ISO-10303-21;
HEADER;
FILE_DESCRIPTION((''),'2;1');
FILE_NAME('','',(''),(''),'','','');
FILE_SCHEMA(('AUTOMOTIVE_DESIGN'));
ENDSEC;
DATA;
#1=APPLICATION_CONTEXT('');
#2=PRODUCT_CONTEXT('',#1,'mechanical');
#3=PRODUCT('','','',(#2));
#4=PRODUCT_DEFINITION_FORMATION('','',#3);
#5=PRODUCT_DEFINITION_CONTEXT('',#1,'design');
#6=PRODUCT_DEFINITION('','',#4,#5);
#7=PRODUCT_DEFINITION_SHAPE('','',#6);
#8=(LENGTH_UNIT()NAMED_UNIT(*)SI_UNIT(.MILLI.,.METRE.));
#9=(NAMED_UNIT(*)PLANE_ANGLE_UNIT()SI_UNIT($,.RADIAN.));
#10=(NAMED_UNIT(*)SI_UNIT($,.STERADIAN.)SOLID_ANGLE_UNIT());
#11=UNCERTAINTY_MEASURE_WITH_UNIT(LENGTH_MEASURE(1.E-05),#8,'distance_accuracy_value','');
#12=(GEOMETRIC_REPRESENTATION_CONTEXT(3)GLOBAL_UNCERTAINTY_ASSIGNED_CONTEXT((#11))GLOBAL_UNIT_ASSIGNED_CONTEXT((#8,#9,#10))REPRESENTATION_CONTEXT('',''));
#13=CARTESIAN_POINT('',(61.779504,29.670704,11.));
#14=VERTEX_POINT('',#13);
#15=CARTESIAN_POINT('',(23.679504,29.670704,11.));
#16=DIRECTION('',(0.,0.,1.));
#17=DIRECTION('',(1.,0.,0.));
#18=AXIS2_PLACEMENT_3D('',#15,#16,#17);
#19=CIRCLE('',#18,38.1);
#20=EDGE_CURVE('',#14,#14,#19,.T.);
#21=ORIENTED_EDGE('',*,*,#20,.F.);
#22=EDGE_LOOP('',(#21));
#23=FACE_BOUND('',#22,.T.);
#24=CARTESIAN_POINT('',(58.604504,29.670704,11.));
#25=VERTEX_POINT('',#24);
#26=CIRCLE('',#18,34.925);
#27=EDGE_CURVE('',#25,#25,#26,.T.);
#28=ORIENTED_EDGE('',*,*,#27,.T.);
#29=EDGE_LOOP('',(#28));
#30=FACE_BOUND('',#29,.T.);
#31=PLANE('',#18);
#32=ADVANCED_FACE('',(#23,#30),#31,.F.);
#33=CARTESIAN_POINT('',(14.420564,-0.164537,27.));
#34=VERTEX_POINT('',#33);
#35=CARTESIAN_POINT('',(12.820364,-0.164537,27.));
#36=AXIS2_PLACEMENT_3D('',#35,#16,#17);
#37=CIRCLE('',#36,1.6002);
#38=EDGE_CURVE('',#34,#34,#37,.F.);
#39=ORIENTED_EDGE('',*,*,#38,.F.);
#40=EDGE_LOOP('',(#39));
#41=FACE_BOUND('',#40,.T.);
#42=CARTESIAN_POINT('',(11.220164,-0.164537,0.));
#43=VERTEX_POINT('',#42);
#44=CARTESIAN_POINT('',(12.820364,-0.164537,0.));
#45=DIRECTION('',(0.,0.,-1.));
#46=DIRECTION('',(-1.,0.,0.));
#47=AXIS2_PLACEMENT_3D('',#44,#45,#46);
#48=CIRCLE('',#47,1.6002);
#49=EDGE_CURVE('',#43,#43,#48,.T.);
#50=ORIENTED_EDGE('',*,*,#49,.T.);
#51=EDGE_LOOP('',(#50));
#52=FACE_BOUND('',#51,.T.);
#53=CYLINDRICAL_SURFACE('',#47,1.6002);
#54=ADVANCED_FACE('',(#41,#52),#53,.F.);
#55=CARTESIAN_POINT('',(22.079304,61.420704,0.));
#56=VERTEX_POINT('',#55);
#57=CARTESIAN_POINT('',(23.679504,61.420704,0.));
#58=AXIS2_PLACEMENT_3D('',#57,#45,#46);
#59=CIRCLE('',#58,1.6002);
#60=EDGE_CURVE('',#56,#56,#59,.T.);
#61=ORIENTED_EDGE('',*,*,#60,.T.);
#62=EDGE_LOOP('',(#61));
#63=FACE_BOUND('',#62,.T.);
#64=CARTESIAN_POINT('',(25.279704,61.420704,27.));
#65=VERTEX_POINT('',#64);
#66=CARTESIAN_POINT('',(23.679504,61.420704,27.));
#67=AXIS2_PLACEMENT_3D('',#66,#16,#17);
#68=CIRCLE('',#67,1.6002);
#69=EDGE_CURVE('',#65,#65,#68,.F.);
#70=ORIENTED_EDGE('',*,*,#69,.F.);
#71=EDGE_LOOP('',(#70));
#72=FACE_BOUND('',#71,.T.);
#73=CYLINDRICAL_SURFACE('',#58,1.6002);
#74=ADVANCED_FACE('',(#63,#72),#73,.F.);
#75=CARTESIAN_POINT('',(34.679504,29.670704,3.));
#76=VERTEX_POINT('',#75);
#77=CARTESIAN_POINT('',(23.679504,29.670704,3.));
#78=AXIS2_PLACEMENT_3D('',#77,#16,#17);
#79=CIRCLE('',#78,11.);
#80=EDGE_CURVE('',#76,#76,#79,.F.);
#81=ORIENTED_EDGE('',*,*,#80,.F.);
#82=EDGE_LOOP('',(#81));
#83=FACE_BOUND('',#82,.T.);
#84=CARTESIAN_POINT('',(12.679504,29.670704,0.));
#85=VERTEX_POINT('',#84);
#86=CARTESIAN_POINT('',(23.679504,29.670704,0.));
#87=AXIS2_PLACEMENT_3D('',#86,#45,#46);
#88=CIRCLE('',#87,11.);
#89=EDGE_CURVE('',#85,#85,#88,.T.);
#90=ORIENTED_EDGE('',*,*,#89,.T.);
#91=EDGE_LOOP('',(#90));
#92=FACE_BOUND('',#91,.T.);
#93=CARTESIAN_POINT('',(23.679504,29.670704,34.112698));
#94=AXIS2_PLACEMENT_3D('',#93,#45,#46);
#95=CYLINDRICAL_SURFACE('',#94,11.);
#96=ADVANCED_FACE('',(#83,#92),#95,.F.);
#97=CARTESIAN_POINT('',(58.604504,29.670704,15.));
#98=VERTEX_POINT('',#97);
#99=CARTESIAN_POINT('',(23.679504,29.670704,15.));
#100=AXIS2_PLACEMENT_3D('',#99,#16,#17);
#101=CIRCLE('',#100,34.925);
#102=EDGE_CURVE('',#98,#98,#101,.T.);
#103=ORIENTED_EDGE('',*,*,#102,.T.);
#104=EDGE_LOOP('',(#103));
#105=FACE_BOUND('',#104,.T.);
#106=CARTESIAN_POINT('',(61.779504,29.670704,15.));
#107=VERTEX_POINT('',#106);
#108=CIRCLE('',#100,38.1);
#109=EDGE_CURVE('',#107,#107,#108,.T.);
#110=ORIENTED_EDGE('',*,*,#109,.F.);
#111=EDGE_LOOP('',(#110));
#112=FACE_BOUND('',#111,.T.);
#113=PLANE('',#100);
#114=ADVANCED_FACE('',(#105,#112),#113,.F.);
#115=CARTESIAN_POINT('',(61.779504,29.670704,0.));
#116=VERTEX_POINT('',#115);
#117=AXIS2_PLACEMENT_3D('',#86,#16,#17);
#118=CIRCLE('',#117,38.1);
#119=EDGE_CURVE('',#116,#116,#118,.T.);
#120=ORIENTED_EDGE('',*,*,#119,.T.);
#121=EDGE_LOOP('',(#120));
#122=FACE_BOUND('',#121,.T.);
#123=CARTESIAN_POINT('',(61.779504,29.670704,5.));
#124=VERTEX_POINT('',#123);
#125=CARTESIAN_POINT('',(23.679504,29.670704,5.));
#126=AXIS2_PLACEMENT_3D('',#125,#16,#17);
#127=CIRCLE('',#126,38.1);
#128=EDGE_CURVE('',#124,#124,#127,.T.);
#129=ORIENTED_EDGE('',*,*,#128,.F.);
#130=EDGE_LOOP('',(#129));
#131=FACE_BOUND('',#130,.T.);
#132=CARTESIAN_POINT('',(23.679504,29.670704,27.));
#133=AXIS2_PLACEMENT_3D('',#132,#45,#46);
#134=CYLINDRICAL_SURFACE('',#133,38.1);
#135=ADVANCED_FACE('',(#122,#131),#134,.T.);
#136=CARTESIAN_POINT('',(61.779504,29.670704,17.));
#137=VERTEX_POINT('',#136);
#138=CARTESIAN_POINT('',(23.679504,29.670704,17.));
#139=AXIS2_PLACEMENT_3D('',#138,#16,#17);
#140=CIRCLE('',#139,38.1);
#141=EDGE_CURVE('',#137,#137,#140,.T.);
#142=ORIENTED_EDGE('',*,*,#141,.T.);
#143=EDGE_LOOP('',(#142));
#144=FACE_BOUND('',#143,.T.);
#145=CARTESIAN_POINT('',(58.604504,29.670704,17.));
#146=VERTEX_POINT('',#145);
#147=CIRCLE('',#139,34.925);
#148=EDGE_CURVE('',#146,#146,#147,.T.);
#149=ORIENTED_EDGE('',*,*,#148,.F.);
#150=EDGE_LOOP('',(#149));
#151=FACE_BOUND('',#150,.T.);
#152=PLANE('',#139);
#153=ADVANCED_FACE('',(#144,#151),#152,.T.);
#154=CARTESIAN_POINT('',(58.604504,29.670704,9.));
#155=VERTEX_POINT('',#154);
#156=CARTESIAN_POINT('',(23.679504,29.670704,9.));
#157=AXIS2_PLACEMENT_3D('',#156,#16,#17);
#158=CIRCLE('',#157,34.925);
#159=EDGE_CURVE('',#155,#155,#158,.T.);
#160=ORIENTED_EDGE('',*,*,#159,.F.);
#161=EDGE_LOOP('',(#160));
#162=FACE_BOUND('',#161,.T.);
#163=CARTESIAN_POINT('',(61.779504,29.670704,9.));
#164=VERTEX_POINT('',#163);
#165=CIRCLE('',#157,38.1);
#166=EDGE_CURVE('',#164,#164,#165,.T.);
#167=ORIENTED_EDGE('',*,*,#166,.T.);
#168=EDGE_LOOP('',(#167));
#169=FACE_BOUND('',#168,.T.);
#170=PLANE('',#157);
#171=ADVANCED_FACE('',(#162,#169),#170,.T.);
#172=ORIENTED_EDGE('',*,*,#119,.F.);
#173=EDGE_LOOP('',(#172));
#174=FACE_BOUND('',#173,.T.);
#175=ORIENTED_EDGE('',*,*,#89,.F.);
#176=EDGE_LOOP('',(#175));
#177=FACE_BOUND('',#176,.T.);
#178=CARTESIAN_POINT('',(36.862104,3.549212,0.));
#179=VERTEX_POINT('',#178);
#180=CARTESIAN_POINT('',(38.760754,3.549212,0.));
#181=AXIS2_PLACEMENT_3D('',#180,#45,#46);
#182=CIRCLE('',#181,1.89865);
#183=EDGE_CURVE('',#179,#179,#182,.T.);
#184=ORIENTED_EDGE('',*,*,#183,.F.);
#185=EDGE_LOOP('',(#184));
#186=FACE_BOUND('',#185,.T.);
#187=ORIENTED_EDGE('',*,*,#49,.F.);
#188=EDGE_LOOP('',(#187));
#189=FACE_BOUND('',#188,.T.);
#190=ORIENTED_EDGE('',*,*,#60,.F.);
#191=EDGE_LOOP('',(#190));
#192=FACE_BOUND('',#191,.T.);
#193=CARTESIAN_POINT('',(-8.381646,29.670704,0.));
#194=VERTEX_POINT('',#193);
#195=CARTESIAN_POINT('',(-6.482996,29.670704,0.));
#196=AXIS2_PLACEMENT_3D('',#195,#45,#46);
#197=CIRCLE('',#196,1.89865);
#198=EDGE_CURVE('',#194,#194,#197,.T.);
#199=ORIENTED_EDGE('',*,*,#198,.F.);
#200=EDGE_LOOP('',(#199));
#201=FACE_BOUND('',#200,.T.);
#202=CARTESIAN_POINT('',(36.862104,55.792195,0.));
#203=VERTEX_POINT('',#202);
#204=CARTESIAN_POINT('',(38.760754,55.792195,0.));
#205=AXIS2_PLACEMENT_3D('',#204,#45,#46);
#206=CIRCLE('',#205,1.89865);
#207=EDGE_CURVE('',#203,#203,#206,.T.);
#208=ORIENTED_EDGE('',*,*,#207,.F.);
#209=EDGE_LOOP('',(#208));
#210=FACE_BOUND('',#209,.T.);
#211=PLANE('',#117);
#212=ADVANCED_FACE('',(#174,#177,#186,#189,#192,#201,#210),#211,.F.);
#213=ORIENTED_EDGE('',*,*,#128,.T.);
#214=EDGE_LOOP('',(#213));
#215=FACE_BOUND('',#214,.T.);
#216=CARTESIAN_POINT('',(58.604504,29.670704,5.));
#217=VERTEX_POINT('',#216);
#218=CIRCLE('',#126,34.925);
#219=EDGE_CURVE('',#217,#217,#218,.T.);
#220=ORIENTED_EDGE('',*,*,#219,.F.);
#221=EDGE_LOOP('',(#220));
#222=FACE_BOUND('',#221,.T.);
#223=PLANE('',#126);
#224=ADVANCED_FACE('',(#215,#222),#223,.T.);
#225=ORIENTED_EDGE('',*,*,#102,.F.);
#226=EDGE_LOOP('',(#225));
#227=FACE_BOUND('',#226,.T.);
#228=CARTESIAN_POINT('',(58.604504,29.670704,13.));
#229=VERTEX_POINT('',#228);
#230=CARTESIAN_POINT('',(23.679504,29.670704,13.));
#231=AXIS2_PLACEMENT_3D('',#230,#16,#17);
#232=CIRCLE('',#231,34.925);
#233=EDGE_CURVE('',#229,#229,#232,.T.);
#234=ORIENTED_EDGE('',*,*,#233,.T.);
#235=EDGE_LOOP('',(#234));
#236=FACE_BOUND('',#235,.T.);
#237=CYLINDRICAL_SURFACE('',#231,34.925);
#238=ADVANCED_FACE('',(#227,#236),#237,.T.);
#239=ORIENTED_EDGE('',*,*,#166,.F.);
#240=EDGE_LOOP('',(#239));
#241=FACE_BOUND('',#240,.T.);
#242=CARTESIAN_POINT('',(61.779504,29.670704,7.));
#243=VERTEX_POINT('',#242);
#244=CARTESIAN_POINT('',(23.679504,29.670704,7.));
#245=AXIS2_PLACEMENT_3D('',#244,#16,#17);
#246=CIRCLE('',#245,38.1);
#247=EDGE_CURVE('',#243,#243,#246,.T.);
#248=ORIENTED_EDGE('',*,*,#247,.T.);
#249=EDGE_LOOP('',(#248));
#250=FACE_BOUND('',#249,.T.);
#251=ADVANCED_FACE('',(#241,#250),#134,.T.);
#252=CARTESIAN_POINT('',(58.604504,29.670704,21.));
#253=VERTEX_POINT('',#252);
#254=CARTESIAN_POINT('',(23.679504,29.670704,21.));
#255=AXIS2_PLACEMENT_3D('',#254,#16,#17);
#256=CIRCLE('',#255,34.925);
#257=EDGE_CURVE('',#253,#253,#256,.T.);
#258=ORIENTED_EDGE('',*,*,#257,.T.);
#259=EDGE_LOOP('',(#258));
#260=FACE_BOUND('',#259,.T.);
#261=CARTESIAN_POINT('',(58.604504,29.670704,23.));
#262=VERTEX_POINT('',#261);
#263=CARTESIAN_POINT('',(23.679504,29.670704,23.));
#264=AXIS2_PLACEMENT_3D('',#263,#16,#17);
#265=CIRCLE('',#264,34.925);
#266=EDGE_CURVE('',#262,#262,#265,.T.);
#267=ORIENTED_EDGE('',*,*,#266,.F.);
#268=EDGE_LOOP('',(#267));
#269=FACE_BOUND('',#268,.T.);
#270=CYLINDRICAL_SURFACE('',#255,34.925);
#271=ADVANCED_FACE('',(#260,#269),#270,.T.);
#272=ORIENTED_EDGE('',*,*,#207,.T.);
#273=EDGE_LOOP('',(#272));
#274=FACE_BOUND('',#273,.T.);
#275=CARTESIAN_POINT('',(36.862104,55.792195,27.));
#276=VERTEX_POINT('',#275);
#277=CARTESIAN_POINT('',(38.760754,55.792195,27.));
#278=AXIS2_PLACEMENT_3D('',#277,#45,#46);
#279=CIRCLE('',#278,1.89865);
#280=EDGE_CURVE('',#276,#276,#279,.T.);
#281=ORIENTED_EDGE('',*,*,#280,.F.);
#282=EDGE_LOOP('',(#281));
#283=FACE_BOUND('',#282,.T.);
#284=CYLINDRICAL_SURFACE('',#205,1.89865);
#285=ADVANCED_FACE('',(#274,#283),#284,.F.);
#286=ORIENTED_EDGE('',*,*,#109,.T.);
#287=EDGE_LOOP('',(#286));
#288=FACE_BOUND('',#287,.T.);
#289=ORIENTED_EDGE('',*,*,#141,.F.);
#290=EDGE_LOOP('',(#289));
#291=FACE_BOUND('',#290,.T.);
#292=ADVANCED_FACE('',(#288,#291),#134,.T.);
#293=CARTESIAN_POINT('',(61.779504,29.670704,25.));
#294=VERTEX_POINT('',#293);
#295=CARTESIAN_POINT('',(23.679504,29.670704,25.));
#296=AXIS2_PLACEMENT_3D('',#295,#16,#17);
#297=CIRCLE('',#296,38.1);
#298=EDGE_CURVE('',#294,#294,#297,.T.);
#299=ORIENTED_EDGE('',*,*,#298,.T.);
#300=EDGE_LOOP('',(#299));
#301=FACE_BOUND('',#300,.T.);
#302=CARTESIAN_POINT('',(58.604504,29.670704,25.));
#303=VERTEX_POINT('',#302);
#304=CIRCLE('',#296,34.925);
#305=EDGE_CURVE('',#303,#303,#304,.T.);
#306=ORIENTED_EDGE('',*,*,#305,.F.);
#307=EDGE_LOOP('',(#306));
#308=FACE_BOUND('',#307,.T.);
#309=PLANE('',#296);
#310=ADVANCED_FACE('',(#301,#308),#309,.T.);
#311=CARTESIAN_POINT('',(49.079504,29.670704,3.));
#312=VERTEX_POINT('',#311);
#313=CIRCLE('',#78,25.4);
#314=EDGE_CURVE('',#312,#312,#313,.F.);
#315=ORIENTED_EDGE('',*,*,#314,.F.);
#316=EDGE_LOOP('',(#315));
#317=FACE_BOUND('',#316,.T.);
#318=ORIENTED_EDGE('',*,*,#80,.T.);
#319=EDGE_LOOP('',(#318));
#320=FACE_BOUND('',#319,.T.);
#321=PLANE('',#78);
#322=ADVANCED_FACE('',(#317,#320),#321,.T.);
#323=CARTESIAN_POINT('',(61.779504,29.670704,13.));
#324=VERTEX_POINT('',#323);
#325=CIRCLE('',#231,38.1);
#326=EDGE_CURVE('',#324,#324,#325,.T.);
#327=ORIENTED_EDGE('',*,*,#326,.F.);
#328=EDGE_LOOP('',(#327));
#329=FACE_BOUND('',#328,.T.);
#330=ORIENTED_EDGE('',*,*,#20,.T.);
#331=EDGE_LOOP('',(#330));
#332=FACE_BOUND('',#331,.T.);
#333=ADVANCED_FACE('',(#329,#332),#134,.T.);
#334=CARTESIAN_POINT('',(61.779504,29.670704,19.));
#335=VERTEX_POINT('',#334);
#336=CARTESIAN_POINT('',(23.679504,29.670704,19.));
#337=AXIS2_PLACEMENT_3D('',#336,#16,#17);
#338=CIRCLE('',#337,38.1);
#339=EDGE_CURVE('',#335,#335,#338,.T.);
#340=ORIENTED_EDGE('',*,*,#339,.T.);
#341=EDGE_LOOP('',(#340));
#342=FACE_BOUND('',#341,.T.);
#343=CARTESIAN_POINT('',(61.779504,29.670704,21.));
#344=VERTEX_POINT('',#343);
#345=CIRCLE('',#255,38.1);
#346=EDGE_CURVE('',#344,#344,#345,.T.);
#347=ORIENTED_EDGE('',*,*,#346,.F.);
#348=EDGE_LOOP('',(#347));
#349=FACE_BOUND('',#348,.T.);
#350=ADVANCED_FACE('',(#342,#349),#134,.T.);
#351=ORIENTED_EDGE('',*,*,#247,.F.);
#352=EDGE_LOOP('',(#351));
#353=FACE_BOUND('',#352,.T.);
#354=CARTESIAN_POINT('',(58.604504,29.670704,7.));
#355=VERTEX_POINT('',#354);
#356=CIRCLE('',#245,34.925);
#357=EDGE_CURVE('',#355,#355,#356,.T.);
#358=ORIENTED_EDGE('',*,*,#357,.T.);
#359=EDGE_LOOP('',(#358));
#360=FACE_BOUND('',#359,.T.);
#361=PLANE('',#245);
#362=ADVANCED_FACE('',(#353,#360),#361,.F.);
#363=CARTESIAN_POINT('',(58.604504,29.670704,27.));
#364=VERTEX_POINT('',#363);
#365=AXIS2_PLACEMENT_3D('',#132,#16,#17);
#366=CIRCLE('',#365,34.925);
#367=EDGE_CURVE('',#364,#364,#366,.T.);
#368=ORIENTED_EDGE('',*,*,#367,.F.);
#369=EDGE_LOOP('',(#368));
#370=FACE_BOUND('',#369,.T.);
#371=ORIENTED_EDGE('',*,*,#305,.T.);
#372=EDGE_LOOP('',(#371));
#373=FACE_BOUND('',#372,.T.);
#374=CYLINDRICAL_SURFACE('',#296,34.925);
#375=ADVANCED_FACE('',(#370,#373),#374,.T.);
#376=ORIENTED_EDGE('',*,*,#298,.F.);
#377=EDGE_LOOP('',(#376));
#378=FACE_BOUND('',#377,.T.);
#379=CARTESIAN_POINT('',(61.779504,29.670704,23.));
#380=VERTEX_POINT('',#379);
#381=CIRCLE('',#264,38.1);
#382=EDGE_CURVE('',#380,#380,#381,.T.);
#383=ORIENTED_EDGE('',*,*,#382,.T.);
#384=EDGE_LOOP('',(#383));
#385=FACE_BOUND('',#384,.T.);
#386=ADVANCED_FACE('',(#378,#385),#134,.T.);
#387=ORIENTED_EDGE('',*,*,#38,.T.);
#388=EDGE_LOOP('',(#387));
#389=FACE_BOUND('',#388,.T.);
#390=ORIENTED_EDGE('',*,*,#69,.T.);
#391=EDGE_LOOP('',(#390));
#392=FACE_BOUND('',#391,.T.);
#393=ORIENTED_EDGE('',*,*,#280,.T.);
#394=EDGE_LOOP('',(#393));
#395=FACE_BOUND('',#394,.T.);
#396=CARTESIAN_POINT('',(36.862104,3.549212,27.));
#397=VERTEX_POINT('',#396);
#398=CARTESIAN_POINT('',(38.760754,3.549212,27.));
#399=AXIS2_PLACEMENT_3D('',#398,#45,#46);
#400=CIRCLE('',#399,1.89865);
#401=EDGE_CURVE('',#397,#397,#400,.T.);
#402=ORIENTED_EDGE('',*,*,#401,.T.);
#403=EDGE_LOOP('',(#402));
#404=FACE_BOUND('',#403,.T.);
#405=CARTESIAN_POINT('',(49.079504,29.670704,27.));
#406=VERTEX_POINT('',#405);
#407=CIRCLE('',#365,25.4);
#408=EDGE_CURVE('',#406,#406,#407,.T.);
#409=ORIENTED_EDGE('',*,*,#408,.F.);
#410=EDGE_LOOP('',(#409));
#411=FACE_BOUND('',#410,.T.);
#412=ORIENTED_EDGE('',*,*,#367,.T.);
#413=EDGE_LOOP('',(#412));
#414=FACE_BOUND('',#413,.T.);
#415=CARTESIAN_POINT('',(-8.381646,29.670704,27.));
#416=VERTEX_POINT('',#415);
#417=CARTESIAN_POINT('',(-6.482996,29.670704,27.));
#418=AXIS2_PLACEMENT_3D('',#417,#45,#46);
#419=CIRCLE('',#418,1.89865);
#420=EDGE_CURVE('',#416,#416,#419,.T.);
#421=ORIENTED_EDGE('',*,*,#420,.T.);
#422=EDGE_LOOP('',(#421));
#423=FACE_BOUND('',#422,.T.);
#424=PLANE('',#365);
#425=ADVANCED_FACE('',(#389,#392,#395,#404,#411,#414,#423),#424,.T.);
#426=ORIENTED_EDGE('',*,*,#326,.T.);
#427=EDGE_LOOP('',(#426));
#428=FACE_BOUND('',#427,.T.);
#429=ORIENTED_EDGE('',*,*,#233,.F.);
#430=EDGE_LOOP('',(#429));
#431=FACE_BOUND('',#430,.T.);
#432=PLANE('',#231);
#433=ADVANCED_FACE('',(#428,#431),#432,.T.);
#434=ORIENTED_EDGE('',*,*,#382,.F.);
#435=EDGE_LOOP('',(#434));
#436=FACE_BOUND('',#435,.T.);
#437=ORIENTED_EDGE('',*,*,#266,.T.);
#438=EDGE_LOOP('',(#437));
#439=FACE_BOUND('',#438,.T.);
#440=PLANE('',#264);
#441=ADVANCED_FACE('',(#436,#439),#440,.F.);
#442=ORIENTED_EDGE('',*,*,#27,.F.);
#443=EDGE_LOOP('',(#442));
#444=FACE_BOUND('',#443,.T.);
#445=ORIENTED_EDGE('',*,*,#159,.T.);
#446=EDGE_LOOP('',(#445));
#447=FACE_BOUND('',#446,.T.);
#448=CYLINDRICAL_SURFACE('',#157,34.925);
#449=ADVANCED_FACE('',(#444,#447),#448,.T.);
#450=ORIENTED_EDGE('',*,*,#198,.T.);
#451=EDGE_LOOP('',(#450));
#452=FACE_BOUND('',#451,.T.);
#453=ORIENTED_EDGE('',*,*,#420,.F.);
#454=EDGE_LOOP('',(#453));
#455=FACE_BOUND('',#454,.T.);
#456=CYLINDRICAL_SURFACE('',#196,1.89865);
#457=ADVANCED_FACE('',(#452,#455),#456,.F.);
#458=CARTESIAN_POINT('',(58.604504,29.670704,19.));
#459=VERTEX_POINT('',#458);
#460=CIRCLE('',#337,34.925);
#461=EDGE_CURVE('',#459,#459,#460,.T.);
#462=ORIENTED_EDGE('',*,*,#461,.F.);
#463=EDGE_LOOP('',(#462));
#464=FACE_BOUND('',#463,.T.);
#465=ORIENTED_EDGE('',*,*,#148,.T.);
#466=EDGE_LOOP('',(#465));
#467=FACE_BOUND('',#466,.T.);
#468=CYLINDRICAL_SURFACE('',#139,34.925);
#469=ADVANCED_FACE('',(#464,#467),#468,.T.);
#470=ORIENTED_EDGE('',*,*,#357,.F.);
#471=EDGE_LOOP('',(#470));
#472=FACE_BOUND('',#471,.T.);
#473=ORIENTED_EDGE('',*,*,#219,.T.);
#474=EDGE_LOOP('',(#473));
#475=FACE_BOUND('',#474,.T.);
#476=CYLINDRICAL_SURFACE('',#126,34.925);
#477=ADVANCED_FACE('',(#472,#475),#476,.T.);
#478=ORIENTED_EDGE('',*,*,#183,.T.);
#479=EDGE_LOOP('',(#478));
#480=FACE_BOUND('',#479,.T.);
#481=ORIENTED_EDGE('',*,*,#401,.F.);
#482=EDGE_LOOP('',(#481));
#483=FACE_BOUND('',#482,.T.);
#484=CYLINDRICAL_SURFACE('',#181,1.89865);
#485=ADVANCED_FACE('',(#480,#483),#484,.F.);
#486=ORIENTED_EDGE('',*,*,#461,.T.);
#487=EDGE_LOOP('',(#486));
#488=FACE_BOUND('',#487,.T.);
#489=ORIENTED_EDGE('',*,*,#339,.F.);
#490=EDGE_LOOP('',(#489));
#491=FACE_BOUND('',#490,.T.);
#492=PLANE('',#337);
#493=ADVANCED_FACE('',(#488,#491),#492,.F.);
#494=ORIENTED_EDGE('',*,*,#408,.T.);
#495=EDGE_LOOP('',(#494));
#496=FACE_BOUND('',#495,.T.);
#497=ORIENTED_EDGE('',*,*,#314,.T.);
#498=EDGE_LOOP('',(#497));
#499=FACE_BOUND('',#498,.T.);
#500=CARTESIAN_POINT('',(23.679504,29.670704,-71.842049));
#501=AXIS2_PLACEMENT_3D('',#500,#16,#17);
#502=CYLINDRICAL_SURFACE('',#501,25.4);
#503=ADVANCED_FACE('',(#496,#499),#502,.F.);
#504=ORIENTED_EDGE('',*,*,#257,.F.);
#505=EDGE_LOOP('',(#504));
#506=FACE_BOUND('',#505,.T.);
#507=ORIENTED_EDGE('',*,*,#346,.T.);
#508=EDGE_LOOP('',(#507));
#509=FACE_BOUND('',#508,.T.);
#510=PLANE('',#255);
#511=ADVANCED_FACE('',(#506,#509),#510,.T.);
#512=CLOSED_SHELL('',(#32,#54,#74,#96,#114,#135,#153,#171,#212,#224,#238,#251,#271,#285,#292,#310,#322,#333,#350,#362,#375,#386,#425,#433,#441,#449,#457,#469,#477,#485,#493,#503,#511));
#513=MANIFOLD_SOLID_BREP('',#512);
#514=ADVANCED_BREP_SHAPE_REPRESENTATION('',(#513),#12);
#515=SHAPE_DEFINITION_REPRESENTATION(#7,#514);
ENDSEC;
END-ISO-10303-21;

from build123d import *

# Parameters (mm, degrees)
ESQUISSE1_R                          = 38.1
BOSS_EXTRU_1_DEPTH                   = 27
ESQUISSE3_R                          = 25.4
ENL_V_MAT_EXTRU_2_DEPTH              = 24
ESQUISSE5_R                          = 11
ENL_V_MAT_EXTRU_3_DEPTH              = 3
ESQUISSE8_R                          = 38.1
ESQUISSE8_R_2                        = 34.925
ENL_V_MAT_EXTRU_5_DEPTH              = 2
R_P_TITION_LIN_AIRE1_COUNT           = 6
R_P_TITION_LIN_AIRE1_PITCH           = 4
D_GAGEMENT_61_D                      = 3.7973
F_1_8_0_126_TROUS_DE_CENTRAGE1_D     = 3.2004
F_1_8_0_126_TROUS_DE_CENTRAGE1_DEPTH = 27
F_1_8_0_126_TROUS_DE_CENTRAGE1_TIP   = 0.961497163


with BuildPart() as part:
    # Esquisse1 → Boss.-Extru.1 (new body)
    with BuildSketch(Plane.XY):
        with Locations((23.679503876, 29.670703652)):
            Circle(ESQUISSE1_R)
    extrude(amount=BOSS_EXTRU_1_DEPTH)

    # Esquisse3 → Enlèv. mat.-Extru.2 (cut)
    with BuildSketch(Plane.XY.offset(27)):
        with Locations((23.679503876, 29.670703652)):
            Circle(ESQUISSE3_R)
    extrude(amount=-ENL_V_MAT_EXTRU_2_DEPTH, mode=Mode.SUBTRACT)

    # Esquisse5 → Enlèv. mat.-Extru.3 (cut)
    with BuildSketch(Plane(origin=(0, 0, 0), x_dir=(-1, 0, 0), z_dir=(0, 0, -1))):
        with Locations((-23.679503876, 29.670703652)):
            Circle(ESQUISSE5_R)
    extrude(amount=-ENL_V_MAT_EXTRU_3_DEPTH, mode=Mode.SUBTRACT)

    # Esquisse8 → Enlèv. mat.-Extru.5 (cut)
    with BuildSketch(Plane.XY.offset(27)):
        with Locations((23.679503876, 29.670703652)):
            Circle(ESQUISSE8_R)
        with Locations((23.679503876, 29.670703652)):
            Circle(ESQUISSE8_R_2, mode=Mode.SUBTRACT)
    enl_v_mat_extru_5 = extrude(amount=-ENL_V_MAT_EXTRU_5_DEPTH, mode=Mode.SUBTRACT)

    # Répétition linéaire1: Enlèv. mat.-Extru.5 ×6
    with Locations(*[(0, 0, -i * R_P_TITION_LIN_AIRE1_PITCH) for i in range(1, R_P_TITION_LIN_AIRE1_COUNT)]):
        add(enl_v_mat_extru_5, mode=Mode.SUBTRACT)

    # Dégagement #61 (through all)
    with Locations(Plane(origin=(0, 0, 0), x_dir=(-1, 0, 0), z_dir=(0, 0, -1))):
        with Locations((-38.760753876, 55.792194893), (6.482996124, 29.670703652), (-38.760753876, 3.54921241)):
            Hole(D_GAGEMENT_61_D / 2)

    # 1/8 (0.126) Trous de centrage1
    with Locations(Plane(origin=(0, 0, 0), x_dir=(-1, 0, 0), z_dir=(0, 0, -1))):
        with Locations((-23.679503876, 61.420703652), (-12.820364325, -0.164537058)):
            Hole(F_1_8_0_126_TROUS_DE_CENTRAGE1_D / 2, depth=F_1_8_0_126_TROUS_DE_CENTRAGE1_DEPTH)
            with Locations((0, 0, -(F_1_8_0_126_TROUS_DE_CENTRAGE1_DEPTH + F_1_8_0_126_TROUS_DE_CENTRAGE1_TIP / 2))):  # 118° drill point
                Cone(0, F_1_8_0_126_TROUS_DE_CENTRAGE1_D / 2, F_1_8_0_126_TROUS_DE_CENTRAGE1_TIP, mode=Mode.SUBTRACT)


solid = part.part
